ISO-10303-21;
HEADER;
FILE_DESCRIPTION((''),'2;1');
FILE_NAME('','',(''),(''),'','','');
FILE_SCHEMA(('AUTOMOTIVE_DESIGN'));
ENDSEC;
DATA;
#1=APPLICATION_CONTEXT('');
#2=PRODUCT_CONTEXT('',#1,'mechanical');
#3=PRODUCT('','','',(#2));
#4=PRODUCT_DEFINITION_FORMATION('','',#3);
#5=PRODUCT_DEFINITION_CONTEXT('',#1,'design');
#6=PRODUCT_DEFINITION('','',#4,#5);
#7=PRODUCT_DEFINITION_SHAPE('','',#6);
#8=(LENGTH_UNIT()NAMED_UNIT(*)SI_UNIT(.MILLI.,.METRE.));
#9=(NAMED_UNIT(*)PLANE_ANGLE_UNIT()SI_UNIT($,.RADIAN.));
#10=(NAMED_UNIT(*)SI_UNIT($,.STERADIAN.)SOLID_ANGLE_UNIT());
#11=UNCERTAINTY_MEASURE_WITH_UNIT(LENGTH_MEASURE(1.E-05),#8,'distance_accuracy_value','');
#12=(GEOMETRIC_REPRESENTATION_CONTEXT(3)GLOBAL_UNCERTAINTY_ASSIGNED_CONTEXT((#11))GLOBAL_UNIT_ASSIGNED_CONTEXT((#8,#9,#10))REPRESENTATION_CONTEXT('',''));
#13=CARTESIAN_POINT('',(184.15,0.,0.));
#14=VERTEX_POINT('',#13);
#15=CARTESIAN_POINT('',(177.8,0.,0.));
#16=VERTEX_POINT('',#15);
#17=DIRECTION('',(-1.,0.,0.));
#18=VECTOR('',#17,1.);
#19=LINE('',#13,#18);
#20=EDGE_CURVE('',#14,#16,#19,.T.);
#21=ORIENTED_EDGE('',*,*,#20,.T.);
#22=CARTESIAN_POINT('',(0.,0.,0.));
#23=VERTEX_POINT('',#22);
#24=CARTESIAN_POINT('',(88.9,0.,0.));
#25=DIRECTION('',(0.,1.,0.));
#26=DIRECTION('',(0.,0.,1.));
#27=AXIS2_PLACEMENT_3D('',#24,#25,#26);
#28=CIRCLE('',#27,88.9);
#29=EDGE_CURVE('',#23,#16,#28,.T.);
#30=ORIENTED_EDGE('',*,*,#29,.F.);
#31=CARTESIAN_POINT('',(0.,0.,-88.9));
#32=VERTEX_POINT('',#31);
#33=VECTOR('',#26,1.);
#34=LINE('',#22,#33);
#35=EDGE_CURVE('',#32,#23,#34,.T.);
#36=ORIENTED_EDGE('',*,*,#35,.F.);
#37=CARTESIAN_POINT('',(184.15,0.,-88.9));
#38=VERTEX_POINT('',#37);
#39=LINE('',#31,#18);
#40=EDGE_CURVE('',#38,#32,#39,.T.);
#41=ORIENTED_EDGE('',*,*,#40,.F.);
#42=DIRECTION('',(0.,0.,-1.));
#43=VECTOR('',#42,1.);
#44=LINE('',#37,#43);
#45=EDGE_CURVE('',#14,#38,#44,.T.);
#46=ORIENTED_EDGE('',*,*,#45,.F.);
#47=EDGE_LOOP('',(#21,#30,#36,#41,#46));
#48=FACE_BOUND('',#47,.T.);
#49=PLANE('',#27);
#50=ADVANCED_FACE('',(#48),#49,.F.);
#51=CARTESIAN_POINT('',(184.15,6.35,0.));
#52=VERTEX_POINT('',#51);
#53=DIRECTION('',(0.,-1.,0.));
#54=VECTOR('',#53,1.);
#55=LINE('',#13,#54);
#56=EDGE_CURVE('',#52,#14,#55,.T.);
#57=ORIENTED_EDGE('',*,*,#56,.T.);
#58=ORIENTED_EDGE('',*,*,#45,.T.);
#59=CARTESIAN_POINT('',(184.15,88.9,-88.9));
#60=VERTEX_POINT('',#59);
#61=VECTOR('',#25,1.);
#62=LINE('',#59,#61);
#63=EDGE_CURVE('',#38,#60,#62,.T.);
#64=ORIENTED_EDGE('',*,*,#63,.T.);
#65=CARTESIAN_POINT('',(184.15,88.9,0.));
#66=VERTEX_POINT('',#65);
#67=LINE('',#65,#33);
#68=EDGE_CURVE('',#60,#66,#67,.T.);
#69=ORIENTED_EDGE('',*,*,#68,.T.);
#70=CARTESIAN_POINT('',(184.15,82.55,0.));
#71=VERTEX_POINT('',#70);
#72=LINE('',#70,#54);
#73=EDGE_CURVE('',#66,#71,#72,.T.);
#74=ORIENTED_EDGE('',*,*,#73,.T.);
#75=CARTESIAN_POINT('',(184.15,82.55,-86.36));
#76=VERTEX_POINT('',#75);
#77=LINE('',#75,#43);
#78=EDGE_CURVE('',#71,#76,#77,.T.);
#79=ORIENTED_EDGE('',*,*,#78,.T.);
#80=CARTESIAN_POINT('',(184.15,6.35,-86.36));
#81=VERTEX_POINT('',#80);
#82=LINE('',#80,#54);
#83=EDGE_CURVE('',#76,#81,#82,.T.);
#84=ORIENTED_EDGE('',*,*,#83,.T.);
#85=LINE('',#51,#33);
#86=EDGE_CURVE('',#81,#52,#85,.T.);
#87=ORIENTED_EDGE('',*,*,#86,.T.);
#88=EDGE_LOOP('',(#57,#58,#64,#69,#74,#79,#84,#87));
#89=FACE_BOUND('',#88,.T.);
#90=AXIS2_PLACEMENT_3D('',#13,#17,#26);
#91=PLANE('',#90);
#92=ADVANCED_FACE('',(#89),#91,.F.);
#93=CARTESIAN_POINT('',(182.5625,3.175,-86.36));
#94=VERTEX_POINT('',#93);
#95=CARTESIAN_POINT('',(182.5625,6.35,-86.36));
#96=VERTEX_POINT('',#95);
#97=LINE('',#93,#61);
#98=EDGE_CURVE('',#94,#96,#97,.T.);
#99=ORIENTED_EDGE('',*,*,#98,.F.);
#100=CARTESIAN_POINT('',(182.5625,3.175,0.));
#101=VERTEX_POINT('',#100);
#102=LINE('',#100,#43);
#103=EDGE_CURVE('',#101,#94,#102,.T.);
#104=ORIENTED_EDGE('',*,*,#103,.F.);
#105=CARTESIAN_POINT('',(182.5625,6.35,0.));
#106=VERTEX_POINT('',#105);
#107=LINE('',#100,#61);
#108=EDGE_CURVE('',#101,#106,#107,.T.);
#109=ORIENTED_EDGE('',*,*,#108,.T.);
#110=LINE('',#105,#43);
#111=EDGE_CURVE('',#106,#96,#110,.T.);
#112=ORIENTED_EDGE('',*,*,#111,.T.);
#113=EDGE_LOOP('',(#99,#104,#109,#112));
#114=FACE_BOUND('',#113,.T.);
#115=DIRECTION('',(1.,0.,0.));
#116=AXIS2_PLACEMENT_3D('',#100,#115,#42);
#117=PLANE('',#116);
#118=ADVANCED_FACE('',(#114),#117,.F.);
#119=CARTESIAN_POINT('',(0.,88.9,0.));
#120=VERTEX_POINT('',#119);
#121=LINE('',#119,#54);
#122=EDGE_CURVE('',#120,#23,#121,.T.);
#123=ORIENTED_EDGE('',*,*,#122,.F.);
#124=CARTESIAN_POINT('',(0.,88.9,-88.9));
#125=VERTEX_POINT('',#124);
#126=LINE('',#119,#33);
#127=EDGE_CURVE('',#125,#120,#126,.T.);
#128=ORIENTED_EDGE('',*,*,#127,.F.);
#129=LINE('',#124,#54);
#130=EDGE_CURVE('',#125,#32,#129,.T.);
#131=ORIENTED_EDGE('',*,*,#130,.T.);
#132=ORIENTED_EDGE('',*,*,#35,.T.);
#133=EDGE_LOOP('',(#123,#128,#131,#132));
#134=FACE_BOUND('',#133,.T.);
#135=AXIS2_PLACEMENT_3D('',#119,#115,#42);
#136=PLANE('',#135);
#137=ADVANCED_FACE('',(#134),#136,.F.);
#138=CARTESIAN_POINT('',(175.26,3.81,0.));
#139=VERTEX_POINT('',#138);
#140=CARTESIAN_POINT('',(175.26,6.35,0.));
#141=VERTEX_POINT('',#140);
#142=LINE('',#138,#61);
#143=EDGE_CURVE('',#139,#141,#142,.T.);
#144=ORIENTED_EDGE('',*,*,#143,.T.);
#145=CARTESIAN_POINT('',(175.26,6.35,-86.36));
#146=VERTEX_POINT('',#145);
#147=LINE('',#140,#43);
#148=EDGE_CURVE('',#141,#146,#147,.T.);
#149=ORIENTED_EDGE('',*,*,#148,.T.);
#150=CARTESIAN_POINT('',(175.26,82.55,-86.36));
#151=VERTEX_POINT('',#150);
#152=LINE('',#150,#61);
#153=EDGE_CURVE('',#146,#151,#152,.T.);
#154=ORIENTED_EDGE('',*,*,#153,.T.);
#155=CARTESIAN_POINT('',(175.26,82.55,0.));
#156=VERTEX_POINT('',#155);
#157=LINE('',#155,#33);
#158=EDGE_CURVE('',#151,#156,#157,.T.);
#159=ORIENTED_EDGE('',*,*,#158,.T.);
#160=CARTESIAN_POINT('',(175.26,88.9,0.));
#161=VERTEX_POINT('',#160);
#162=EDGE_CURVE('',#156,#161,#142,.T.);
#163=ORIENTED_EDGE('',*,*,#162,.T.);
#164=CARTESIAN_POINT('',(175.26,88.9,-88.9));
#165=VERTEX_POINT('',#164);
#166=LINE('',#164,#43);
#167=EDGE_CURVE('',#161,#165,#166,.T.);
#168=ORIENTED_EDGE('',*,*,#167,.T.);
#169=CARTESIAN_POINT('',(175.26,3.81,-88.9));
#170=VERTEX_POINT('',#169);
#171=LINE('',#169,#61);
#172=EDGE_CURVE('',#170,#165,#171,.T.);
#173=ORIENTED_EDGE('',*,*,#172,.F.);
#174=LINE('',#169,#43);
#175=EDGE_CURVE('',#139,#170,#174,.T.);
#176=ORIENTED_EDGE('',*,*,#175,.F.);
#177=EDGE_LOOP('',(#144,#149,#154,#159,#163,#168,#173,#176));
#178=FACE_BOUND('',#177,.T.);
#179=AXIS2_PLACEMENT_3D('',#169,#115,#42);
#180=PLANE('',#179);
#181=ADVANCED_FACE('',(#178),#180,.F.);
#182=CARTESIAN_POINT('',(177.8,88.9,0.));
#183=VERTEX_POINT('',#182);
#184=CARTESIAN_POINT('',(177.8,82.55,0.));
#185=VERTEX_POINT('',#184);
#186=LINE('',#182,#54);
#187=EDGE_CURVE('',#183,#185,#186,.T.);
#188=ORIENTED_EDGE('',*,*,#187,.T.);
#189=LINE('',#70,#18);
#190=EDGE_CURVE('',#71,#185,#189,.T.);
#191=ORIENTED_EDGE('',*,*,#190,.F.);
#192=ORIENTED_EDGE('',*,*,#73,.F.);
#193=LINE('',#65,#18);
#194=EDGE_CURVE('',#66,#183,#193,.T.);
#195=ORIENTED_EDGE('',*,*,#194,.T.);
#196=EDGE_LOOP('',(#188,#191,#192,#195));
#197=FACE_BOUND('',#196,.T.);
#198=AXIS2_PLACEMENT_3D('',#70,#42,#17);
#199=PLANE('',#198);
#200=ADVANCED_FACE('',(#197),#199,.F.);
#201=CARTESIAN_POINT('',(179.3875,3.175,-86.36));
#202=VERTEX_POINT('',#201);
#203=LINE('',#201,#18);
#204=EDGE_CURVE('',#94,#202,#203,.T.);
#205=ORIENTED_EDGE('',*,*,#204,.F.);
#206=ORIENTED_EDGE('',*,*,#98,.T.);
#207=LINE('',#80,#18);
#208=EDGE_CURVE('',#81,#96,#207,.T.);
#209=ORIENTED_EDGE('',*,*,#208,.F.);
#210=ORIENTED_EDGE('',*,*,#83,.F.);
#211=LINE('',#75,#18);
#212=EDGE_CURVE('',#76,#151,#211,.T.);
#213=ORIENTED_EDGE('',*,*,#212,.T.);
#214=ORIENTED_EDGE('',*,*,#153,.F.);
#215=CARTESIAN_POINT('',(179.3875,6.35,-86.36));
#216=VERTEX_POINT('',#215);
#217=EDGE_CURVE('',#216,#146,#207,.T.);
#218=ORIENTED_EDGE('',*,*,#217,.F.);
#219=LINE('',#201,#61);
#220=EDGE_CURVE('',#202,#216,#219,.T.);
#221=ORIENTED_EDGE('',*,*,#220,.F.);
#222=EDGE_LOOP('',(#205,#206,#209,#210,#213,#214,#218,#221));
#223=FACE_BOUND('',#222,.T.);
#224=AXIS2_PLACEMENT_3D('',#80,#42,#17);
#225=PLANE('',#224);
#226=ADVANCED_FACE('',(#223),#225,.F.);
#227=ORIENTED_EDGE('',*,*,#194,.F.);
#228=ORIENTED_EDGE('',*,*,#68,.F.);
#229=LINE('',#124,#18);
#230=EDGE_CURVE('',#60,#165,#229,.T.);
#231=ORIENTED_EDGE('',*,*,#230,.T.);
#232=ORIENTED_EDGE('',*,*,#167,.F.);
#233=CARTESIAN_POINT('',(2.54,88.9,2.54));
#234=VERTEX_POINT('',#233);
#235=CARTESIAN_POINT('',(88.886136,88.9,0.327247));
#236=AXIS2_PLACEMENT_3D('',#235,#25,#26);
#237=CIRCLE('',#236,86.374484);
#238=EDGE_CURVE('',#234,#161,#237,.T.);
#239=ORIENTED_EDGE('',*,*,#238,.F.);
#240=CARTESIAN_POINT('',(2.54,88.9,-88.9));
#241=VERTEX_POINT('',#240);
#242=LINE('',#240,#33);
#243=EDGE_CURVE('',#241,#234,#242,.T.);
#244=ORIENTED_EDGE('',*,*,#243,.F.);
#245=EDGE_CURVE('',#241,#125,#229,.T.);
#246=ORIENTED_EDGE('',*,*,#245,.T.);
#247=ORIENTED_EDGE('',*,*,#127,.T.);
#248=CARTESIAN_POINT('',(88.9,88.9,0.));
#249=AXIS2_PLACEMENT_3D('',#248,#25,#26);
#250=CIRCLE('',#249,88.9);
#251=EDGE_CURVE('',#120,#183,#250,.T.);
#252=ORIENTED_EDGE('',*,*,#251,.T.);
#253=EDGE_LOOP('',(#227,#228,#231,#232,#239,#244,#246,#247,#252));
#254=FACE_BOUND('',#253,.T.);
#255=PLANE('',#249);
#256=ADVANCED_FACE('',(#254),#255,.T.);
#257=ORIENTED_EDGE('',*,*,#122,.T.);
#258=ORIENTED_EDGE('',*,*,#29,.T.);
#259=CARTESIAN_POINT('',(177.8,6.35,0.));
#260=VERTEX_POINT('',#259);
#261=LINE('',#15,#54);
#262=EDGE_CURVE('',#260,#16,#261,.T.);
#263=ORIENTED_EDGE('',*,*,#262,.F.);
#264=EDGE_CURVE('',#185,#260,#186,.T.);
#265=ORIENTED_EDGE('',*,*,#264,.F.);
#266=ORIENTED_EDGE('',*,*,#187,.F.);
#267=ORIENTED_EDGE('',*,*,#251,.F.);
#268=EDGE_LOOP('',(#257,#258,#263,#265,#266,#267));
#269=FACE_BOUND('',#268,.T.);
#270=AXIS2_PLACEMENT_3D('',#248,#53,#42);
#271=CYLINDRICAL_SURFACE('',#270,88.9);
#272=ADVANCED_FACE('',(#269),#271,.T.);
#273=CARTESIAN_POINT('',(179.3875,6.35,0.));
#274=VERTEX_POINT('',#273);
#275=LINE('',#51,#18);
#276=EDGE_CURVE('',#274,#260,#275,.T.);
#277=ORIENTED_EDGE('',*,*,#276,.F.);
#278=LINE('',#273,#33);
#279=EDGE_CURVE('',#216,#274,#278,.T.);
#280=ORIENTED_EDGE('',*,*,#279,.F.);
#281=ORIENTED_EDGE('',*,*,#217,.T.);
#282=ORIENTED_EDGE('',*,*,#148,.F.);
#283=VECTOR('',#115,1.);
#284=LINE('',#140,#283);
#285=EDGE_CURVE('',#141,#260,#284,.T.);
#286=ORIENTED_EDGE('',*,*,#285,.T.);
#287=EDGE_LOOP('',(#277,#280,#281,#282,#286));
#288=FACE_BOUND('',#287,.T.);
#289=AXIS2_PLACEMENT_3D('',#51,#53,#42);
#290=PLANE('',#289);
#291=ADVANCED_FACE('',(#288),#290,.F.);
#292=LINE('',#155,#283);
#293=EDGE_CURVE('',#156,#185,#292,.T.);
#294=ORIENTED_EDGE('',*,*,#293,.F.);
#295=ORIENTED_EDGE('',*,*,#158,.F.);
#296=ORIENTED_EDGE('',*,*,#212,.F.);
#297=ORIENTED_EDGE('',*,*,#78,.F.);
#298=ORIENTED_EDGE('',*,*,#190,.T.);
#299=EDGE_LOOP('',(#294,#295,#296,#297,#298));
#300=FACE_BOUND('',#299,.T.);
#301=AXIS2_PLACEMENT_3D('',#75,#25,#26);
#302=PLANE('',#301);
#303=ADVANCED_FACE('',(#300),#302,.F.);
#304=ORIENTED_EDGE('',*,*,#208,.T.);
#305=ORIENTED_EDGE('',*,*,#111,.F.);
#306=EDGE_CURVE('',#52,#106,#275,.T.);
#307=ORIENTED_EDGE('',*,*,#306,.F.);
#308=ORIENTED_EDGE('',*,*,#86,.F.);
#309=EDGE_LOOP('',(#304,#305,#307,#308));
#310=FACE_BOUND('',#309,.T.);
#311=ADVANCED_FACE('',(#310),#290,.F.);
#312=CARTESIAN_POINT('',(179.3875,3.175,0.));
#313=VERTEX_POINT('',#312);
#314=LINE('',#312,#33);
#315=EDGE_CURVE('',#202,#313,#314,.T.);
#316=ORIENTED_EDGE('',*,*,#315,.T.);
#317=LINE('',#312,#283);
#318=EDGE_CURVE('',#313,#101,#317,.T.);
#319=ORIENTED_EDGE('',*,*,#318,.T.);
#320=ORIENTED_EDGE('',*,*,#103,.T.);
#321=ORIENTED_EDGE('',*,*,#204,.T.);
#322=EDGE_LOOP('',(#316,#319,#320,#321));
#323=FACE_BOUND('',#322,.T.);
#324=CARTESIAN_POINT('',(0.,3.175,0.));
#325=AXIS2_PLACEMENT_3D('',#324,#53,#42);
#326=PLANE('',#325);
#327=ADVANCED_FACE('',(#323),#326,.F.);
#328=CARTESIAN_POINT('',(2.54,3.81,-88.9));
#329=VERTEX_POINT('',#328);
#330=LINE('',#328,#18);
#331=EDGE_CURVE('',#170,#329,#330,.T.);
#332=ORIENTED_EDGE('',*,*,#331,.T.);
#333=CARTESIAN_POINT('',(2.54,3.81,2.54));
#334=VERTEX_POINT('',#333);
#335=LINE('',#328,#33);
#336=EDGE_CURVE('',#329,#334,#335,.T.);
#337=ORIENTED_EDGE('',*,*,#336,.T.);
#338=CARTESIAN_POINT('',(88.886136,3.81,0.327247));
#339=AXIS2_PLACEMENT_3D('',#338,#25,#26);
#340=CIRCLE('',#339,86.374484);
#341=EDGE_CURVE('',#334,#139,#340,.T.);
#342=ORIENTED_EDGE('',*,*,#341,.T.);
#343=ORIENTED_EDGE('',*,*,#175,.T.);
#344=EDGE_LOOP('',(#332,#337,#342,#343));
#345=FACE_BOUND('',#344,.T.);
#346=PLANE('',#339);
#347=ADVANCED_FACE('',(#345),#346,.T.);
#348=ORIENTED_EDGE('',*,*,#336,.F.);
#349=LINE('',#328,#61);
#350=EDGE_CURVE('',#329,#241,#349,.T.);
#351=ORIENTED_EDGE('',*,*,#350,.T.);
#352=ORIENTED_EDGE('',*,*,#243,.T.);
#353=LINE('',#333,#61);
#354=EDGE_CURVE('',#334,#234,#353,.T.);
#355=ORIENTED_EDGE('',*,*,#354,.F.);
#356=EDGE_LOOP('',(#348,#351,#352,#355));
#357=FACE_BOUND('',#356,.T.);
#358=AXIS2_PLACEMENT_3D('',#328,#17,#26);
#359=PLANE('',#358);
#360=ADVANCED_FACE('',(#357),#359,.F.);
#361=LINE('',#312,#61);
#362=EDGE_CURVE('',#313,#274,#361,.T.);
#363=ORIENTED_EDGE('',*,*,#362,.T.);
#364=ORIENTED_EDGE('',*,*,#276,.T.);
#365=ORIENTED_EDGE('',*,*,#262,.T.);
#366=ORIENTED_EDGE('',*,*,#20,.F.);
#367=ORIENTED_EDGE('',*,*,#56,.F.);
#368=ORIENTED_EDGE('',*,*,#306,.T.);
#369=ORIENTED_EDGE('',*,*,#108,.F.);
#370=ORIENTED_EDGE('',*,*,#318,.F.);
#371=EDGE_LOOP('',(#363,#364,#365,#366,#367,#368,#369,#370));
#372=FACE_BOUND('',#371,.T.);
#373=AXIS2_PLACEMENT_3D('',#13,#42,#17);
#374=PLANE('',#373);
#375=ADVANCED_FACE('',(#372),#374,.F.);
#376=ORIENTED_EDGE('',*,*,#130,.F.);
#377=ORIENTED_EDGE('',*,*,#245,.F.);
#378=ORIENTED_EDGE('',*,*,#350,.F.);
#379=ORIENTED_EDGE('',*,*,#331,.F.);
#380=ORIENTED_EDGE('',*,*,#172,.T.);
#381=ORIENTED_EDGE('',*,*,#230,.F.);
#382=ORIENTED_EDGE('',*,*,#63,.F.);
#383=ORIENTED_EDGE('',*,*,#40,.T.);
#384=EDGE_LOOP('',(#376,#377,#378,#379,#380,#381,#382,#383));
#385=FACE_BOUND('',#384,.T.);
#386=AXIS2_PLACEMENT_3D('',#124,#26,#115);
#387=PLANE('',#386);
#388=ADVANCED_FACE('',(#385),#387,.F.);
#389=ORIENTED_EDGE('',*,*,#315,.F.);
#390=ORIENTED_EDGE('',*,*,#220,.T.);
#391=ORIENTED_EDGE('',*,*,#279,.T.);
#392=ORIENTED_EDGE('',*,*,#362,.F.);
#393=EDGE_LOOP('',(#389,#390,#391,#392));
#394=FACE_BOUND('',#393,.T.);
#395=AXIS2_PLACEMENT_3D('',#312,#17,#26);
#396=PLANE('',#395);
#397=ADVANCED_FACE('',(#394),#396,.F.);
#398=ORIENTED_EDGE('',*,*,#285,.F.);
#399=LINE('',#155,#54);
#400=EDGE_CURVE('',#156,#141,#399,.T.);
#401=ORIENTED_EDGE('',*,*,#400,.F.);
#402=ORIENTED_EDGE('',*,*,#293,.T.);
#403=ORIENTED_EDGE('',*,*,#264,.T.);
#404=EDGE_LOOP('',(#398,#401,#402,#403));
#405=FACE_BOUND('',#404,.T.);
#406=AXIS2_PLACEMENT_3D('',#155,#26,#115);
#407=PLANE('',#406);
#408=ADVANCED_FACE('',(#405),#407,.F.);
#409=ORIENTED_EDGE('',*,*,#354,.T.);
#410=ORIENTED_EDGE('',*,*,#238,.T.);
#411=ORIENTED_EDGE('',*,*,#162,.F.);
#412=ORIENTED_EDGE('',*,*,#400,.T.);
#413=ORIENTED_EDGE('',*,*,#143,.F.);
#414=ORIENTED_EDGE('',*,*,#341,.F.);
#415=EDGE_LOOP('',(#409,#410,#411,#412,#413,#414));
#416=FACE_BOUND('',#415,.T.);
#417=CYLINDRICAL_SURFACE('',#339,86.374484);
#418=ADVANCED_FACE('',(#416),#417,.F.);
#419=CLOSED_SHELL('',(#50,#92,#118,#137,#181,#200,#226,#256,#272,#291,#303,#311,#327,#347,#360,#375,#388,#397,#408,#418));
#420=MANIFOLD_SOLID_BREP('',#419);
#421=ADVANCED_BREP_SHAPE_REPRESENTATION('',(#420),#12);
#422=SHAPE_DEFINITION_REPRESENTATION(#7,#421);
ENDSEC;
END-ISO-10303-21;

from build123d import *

# Parameters (mm, degrees)
BOSS_EXTRUDE1_DEPTH = 88.9
CUT_EXTRUDE1_DEPTH  = 85.09
BOSS_EXTRUDE3_DEPTH = 6.35
SKETCH6_W           = 3.175
SKETCH6_H           = 86.36
CUT_EXTRUDE2_DEPTH  = 3.175
SKETCH7_W           = 86.36
SKETCH7_H           = 76.2
CUT_EXTRUDE3_DEPTH  = 2.54


with BuildPart() as part:
    # Sketch1 → Boss-Extrude1 (new body)
    with BuildSketch(Plane(origin=(0, 0, 0), x_dir=(1, 0, 0), z_dir=(0, 1, 0))):
        with BuildLine():
            Line((0, 0), (0, 88.9))
            Line((0, 88.9), (177.8, 88.9))
            Line((177.8, 88.9), (177.8, 0))
            ThreePointArc((177.8, 0), (88.9, -88.9), (0, 0))
        make_face()
    extrude(amount=BOSS_EXTRUDE1_DEPTH)

    # Sketch2 → Cut-Extrude1 (cut)
    with BuildSketch(Plane(origin=(0, 88.9, 0), x_dir=(1, 0, 0), z_dir=(0, 1, 0))):
        with BuildLine():
            Line((2.54, 88.9), (175.26, 88.9))
            Line((175.26, 88.9), (175.26, 0))
            ThreePointArc((175.26, 0), (90.15621165, -86.692392179), (2.54, -2.54))
            Line((2.54, -2.54), (2.54, 88.9))
        make_face()
    extrude(amount=-CUT_EXTRUDE1_DEPTH, mode=Mode.SUBTRACT)

    # Sketch4 → Boss-Extrude3 (add)
    with BuildSketch(Plane(origin=(177.8, 0, 0), x_dir=(0, 0, -1), z_dir=(1, 0, 0))):
        Polygon((0, 88.9), (88.9, 88.9), (88.9, 0), (0, 0), (0, 6.35), (86.36, 6.35), (86.36, 82.55), (0, 82.55), align=None)
    extrude(amount=BOSS_EXTRUDE3_DEPTH)

    # Sketch6 → Cut-Extrude2 (cut)
    with BuildSketch(Plane(origin=(0, 6.35, 0), x_dir=(1, 0, 0), z_dir=(0, 1, 0))):
        with Locations((180.975, 43.18)):
            Rectangle(SKETCH6_W, SKETCH6_H)
    extrude(amount=-CUT_EXTRUDE2_DEPTH, mode=Mode.SUBTRACT)

    # Sketch7 → Cut-Extrude3 (cut)
    with BuildSketch(Plane(origin=(177.8, 0, 0), x_dir=(0, 0, -1), z_dir=(1, 0, 0))):
        with Locations((43.18, 44.45)):
            Rectangle(SKETCH7_W, SKETCH7_H)
    extrude(amount=-CUT_EXTRUDE3_DEPTH, mode=Mode.SUBTRACT)


solid = part.part
